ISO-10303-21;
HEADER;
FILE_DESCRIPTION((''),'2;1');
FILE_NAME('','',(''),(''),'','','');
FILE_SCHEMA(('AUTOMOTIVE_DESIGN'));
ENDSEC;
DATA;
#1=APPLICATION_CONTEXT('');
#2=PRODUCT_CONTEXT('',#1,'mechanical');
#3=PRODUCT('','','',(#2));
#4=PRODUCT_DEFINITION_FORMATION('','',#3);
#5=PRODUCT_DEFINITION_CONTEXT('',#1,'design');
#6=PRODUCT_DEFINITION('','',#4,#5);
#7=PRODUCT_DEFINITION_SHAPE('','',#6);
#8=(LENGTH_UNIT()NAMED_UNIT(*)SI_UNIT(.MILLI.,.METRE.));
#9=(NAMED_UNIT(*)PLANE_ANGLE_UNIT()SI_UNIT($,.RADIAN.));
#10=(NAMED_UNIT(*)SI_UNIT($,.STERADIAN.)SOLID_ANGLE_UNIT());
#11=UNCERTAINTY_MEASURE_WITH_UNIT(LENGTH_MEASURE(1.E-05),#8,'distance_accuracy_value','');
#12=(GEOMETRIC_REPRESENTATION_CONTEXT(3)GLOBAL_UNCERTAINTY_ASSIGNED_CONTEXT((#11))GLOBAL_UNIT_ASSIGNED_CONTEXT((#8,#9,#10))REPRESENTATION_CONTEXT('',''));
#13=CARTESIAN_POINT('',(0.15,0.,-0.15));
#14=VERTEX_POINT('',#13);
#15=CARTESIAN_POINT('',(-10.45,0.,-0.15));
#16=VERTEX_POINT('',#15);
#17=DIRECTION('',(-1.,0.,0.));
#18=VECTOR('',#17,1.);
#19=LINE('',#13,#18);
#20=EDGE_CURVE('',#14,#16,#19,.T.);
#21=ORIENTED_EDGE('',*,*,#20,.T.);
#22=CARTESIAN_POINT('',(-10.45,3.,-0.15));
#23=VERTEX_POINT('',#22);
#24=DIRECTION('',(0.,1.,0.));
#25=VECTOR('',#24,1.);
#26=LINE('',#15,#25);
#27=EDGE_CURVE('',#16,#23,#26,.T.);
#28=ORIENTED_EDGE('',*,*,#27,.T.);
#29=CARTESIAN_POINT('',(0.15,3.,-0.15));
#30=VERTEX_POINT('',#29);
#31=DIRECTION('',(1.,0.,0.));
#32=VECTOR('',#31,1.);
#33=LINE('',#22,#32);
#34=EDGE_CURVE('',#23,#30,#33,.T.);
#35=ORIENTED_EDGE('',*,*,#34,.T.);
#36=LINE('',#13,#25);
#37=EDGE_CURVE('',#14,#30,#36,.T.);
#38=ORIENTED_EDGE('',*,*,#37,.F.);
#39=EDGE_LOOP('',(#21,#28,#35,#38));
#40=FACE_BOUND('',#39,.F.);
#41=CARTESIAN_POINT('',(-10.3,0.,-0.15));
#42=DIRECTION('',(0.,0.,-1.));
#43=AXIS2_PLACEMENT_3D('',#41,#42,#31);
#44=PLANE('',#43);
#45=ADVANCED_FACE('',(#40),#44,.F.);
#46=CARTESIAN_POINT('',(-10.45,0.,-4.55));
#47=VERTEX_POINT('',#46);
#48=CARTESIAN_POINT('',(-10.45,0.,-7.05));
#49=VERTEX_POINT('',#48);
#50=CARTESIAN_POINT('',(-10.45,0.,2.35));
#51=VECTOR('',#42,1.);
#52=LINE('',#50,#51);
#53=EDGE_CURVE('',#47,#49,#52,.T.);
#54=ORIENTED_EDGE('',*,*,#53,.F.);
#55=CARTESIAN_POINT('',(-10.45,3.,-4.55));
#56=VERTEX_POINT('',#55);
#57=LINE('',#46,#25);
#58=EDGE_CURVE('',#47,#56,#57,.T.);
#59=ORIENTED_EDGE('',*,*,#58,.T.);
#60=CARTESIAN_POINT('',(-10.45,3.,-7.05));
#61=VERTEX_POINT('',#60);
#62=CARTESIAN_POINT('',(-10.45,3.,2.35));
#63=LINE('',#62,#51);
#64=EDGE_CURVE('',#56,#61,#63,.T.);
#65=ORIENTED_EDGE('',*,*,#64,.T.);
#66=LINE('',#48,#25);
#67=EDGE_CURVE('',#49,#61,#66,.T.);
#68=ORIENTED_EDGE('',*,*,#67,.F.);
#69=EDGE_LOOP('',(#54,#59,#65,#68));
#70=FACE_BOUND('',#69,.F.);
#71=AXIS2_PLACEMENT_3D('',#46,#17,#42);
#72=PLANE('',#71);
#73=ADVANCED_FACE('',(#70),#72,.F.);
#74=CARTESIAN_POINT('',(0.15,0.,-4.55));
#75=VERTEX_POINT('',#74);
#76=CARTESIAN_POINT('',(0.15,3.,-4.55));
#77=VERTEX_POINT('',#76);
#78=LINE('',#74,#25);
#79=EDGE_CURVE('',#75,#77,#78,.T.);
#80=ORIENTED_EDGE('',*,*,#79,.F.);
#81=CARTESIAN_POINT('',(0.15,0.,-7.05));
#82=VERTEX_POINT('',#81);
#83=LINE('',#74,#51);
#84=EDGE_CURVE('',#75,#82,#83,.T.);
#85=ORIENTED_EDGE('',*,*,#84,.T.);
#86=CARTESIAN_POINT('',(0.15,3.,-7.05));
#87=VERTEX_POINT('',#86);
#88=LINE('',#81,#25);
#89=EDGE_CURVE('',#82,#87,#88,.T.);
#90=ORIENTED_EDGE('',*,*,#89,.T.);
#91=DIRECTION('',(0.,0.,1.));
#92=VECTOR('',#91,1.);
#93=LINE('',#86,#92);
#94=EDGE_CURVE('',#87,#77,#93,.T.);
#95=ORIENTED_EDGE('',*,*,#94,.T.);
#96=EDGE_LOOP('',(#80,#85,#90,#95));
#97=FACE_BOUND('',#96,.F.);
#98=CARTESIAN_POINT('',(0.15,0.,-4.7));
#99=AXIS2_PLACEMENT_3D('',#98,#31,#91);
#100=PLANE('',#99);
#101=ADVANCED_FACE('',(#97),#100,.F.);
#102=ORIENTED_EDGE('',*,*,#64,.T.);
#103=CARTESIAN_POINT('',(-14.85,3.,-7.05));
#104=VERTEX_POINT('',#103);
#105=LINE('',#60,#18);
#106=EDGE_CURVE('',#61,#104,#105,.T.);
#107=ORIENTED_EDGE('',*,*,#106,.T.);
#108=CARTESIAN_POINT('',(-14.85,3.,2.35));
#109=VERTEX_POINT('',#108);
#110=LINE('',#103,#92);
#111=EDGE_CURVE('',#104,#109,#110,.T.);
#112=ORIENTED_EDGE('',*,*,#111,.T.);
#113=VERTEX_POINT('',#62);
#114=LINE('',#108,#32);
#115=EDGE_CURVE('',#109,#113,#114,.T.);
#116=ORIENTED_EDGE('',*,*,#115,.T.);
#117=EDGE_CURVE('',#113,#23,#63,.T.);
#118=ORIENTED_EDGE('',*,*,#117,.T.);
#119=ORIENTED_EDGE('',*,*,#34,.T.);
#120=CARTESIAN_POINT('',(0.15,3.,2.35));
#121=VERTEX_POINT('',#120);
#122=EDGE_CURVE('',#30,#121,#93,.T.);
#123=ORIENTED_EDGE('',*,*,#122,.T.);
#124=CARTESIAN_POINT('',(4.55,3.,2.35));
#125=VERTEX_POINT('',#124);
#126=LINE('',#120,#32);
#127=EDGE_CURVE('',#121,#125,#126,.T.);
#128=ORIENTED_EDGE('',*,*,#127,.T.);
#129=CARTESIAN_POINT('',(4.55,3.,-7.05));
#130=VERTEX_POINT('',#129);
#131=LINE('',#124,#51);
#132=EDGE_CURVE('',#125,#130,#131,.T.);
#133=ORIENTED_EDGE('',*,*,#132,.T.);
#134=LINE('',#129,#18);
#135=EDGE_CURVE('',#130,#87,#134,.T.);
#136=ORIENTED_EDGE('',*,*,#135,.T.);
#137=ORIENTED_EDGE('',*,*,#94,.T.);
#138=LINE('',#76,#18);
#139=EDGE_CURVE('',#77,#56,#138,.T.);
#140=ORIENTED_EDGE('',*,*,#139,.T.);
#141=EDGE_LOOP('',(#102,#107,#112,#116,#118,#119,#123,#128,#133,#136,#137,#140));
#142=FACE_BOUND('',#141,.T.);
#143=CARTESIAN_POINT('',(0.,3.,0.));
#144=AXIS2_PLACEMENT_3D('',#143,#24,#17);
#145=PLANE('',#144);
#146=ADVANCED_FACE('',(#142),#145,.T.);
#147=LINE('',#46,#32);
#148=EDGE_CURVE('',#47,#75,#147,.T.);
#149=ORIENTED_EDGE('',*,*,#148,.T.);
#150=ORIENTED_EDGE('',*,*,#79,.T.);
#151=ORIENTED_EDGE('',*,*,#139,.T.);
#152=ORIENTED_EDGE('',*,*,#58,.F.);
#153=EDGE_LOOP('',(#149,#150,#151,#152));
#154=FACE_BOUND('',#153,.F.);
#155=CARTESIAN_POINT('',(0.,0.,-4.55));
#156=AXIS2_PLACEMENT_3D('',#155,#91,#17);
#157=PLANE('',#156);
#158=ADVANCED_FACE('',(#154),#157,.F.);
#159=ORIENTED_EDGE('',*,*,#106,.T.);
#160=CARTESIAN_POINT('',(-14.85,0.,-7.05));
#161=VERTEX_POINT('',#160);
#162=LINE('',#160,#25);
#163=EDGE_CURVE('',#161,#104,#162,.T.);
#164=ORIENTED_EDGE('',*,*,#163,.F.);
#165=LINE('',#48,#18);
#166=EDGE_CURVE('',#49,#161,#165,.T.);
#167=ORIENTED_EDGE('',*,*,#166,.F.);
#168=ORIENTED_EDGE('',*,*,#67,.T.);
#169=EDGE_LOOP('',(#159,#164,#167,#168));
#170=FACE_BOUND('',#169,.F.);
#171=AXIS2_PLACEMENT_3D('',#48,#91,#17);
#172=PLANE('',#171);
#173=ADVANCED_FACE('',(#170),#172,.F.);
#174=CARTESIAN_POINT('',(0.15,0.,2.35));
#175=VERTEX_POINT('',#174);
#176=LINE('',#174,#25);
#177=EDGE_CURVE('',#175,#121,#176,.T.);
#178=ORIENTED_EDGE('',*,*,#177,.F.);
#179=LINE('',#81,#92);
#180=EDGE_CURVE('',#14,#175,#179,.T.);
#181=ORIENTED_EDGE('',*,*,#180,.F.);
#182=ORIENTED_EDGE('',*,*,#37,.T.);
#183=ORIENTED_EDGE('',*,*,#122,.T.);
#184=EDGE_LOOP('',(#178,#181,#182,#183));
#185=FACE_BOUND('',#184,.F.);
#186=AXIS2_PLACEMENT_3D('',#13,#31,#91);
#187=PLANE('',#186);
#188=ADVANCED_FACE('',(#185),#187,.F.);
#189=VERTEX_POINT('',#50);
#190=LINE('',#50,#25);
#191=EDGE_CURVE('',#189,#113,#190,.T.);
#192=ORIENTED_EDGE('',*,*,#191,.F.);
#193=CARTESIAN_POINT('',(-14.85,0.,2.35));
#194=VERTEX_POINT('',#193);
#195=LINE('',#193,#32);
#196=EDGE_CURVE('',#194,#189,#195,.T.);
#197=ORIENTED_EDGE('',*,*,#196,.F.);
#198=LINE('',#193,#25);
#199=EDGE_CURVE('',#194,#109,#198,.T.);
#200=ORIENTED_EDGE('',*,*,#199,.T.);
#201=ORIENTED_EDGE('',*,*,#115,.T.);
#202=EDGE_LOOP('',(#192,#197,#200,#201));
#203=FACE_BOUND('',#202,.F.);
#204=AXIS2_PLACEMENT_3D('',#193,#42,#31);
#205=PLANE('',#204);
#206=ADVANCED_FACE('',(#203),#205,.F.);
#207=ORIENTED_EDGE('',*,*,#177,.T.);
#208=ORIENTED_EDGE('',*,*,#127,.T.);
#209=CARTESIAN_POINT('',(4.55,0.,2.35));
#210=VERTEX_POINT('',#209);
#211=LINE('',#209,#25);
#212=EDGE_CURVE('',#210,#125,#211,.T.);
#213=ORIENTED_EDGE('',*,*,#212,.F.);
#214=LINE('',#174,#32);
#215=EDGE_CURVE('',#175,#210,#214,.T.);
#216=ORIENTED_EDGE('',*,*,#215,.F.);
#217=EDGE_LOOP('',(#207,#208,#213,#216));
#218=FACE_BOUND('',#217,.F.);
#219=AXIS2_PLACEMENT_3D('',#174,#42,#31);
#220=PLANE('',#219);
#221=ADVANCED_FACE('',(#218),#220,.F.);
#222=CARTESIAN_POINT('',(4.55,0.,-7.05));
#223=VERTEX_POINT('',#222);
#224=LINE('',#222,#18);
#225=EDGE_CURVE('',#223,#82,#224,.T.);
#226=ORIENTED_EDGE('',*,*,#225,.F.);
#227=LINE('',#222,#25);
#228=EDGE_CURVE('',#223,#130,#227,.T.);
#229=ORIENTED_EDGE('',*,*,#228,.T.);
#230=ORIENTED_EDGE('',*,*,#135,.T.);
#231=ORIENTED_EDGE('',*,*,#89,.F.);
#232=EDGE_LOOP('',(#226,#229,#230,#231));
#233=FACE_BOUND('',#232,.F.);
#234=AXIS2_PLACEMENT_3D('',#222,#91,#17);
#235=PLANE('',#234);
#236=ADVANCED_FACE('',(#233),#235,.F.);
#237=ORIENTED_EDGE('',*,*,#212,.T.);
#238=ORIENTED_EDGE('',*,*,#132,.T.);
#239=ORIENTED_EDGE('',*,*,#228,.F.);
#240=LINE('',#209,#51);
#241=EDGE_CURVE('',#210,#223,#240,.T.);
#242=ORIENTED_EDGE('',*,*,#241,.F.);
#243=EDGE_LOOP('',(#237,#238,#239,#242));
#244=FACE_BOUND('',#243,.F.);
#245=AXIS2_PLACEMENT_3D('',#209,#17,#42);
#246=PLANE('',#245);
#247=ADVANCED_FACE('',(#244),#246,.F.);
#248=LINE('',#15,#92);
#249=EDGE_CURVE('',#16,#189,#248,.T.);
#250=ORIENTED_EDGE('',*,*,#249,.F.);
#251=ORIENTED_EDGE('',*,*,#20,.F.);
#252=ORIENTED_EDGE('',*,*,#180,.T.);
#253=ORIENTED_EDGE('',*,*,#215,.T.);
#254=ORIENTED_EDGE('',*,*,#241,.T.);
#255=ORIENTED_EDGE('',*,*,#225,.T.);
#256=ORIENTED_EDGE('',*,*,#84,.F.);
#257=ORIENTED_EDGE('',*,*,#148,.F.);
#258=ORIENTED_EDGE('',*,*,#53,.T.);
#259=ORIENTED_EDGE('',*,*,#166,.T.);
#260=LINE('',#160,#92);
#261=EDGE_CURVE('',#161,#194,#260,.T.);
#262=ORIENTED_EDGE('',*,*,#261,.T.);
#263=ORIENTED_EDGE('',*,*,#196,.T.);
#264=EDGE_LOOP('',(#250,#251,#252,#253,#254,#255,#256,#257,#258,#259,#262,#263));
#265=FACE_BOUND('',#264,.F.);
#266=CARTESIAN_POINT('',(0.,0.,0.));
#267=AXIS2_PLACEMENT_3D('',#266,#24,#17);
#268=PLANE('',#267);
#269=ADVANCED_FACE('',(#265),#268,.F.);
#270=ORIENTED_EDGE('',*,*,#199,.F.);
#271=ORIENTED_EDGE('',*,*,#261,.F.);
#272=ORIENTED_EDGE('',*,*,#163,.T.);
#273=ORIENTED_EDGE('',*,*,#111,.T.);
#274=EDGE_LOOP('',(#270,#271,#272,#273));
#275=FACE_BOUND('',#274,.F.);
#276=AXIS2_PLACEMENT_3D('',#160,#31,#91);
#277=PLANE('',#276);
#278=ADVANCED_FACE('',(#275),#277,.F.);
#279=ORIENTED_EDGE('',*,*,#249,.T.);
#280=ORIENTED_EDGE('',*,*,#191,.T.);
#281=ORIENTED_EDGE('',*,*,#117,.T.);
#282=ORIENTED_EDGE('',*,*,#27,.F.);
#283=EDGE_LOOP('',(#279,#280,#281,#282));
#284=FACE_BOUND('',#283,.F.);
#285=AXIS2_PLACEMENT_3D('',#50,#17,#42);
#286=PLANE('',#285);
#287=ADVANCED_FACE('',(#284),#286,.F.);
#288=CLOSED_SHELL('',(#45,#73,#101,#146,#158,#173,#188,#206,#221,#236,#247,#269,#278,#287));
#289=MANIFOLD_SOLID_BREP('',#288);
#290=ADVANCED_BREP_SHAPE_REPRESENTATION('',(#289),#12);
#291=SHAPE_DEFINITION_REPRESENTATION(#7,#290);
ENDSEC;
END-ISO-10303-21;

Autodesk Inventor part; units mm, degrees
ref_plane "YZ Plane" through (0, 0, 0) normal (1, 0, 0) x (0, 1, 0)
ref_plane "XZ Plane" through (0, 0, 0) normal (0, 1, 0) x (-1, 0, 0)
ref_plane "XY Plane" through (0, 0, 0) normal (0, 0, 1) x (1, 0, 0)
sketch "Sketch1" plane through (0, 0, 0) normal (0, 1, 0) x (-1, 0, 0)
  line L0 (15, -7.2) -> (15, 2.5)
  line L1 (15, 2.5) -> (10.3, 2.5)
  line L2 (10.3, 0) -> (10.3, 2.5)
  line L3 (10.3, 0) -> (0, 0)
  line L4 (0, 0) -> (0, 2.5)
  line L5 (0, 2.5) -> (-4.7, 2.5)
  line L6 (-4.7, 2.5) -> (-4.7, -7.2)
  line L7 (-4.7, -7.2) -> (0, -7.2)
  line L8 (0, -7.2) -> (0, -4.7)
  line L9 (0, -4.7) -> (10.3, -4.7)
  line L10 (10.3, -7.2) -> (10.3, -4.7)
  line L11 (15, -7.2) -> (10.3, -7.2)
  line L12 (15, 2.5) -> (14.85, 2.5)
  line L13 (14.85, 2.5) -> (14.85, 2.35)
  line L14 (14.85, 2.35) -> (15, 2.35)
  line L15 (15, 2.35) -> (15, 2.5)
  line L16 (10.3, -7.2) -> (10.45, -7.2)
  line L17 (10.45, -7.2) -> (10.45, -7.05)
  line L18 (10.45, -7.05) -> (10.3, -7.05)
  line L19 (10.3, -7.05) -> (10.3, -7.2)
  line L20 (0, 2.5) -> (-0.15, 2.5)
  line L21 (-0.15, 2.5) -> (-0.15, 2.35)
  line L22 (-0.15, 2.35) -> (0, 2.35)
  line L23 (0, 2.35) -> (0, 2.5)
  line L24 (-4.7, -7.2) -> (-4.55, -7.2)
  line L25 (-4.55, -7.2) -> (-4.55, -7.05)
  line L26 (-4.55, -7.05) -> (-4.7, -7.05)
  line L27 (-4.7, -7.05) -> (-4.7, -7.2)
  line L28 (-0.15, 2.35) -> (-4.55, 2.35)
  line L29 (-4.55, 2.35) -> (-4.55, -7.05)
  line L30 (-4.55, -7.05) -> (-0.15, -7.05)
  line L31 (-0.15, -7.05) -> (-0.15, 2.35)
  line L32 (14.85, 2.35) -> (10.45, 2.35)
  line L33 (10.45, 2.35) -> (10.45, -7.05)
  line L34 (10.45, -7.05) -> (14.85, -7.05)
  line L35 (14.85, -7.05) -> (14.85, 2.35)
  line L36 (10.45, 0) -> (10.3, 0)
  line L37 (10.3, 0) -> (10.3, -0.15)
  line L38 (10.3, -0.15) -> (10.45, -0.15)
  line L39 (10.45, -0.15) -> (10.45, 0)
  line L40 (0, -4.7) -> (-0.15, -4.7)
  line L41 (-0.15, -4.7) -> (-0.15, -4.55)
  line L42 (-0.15, -4.55) -> (0, -4.55)
  line L43 (0, -4.55) -> (0, -4.7)
  line L44 (-0.15, -4.55) -> (10.45, -4.55)
  line L45 (10.45, -4.55) -> (10.45, -0.15)
  line L46 (10.45, -0.15) -> (-0.15, -0.15)
  line L47 (-0.15, -0.15) -> (-0.15, -4.55)
  point P0 (0, 0)
  point P1 (-0.15, -0.15)
  dimension "d2" = 0.15
  dimension "d3" = 0.15
  dimension "d4" = 0.15
  dimension "d5" = 0.15
  dimension "d6" = 0.15
  dimension "d7" = 0.15
  dimension "d8" = 0.15
  dimension "d9" = 0.15
  dimension "d10" = 0.15
  dimension "d11" = 0.15
  dimension "d12" = 0.15
  dimension "d13" = 0.15
extrude "Extrusion1" add sketch "Sketch1" along normal blind 3 contours L35 L34 L33 L32 | L44 L42 L31 L46 L38 L33 | L31 L30 L29 L28
properties part number "3mmPin"
